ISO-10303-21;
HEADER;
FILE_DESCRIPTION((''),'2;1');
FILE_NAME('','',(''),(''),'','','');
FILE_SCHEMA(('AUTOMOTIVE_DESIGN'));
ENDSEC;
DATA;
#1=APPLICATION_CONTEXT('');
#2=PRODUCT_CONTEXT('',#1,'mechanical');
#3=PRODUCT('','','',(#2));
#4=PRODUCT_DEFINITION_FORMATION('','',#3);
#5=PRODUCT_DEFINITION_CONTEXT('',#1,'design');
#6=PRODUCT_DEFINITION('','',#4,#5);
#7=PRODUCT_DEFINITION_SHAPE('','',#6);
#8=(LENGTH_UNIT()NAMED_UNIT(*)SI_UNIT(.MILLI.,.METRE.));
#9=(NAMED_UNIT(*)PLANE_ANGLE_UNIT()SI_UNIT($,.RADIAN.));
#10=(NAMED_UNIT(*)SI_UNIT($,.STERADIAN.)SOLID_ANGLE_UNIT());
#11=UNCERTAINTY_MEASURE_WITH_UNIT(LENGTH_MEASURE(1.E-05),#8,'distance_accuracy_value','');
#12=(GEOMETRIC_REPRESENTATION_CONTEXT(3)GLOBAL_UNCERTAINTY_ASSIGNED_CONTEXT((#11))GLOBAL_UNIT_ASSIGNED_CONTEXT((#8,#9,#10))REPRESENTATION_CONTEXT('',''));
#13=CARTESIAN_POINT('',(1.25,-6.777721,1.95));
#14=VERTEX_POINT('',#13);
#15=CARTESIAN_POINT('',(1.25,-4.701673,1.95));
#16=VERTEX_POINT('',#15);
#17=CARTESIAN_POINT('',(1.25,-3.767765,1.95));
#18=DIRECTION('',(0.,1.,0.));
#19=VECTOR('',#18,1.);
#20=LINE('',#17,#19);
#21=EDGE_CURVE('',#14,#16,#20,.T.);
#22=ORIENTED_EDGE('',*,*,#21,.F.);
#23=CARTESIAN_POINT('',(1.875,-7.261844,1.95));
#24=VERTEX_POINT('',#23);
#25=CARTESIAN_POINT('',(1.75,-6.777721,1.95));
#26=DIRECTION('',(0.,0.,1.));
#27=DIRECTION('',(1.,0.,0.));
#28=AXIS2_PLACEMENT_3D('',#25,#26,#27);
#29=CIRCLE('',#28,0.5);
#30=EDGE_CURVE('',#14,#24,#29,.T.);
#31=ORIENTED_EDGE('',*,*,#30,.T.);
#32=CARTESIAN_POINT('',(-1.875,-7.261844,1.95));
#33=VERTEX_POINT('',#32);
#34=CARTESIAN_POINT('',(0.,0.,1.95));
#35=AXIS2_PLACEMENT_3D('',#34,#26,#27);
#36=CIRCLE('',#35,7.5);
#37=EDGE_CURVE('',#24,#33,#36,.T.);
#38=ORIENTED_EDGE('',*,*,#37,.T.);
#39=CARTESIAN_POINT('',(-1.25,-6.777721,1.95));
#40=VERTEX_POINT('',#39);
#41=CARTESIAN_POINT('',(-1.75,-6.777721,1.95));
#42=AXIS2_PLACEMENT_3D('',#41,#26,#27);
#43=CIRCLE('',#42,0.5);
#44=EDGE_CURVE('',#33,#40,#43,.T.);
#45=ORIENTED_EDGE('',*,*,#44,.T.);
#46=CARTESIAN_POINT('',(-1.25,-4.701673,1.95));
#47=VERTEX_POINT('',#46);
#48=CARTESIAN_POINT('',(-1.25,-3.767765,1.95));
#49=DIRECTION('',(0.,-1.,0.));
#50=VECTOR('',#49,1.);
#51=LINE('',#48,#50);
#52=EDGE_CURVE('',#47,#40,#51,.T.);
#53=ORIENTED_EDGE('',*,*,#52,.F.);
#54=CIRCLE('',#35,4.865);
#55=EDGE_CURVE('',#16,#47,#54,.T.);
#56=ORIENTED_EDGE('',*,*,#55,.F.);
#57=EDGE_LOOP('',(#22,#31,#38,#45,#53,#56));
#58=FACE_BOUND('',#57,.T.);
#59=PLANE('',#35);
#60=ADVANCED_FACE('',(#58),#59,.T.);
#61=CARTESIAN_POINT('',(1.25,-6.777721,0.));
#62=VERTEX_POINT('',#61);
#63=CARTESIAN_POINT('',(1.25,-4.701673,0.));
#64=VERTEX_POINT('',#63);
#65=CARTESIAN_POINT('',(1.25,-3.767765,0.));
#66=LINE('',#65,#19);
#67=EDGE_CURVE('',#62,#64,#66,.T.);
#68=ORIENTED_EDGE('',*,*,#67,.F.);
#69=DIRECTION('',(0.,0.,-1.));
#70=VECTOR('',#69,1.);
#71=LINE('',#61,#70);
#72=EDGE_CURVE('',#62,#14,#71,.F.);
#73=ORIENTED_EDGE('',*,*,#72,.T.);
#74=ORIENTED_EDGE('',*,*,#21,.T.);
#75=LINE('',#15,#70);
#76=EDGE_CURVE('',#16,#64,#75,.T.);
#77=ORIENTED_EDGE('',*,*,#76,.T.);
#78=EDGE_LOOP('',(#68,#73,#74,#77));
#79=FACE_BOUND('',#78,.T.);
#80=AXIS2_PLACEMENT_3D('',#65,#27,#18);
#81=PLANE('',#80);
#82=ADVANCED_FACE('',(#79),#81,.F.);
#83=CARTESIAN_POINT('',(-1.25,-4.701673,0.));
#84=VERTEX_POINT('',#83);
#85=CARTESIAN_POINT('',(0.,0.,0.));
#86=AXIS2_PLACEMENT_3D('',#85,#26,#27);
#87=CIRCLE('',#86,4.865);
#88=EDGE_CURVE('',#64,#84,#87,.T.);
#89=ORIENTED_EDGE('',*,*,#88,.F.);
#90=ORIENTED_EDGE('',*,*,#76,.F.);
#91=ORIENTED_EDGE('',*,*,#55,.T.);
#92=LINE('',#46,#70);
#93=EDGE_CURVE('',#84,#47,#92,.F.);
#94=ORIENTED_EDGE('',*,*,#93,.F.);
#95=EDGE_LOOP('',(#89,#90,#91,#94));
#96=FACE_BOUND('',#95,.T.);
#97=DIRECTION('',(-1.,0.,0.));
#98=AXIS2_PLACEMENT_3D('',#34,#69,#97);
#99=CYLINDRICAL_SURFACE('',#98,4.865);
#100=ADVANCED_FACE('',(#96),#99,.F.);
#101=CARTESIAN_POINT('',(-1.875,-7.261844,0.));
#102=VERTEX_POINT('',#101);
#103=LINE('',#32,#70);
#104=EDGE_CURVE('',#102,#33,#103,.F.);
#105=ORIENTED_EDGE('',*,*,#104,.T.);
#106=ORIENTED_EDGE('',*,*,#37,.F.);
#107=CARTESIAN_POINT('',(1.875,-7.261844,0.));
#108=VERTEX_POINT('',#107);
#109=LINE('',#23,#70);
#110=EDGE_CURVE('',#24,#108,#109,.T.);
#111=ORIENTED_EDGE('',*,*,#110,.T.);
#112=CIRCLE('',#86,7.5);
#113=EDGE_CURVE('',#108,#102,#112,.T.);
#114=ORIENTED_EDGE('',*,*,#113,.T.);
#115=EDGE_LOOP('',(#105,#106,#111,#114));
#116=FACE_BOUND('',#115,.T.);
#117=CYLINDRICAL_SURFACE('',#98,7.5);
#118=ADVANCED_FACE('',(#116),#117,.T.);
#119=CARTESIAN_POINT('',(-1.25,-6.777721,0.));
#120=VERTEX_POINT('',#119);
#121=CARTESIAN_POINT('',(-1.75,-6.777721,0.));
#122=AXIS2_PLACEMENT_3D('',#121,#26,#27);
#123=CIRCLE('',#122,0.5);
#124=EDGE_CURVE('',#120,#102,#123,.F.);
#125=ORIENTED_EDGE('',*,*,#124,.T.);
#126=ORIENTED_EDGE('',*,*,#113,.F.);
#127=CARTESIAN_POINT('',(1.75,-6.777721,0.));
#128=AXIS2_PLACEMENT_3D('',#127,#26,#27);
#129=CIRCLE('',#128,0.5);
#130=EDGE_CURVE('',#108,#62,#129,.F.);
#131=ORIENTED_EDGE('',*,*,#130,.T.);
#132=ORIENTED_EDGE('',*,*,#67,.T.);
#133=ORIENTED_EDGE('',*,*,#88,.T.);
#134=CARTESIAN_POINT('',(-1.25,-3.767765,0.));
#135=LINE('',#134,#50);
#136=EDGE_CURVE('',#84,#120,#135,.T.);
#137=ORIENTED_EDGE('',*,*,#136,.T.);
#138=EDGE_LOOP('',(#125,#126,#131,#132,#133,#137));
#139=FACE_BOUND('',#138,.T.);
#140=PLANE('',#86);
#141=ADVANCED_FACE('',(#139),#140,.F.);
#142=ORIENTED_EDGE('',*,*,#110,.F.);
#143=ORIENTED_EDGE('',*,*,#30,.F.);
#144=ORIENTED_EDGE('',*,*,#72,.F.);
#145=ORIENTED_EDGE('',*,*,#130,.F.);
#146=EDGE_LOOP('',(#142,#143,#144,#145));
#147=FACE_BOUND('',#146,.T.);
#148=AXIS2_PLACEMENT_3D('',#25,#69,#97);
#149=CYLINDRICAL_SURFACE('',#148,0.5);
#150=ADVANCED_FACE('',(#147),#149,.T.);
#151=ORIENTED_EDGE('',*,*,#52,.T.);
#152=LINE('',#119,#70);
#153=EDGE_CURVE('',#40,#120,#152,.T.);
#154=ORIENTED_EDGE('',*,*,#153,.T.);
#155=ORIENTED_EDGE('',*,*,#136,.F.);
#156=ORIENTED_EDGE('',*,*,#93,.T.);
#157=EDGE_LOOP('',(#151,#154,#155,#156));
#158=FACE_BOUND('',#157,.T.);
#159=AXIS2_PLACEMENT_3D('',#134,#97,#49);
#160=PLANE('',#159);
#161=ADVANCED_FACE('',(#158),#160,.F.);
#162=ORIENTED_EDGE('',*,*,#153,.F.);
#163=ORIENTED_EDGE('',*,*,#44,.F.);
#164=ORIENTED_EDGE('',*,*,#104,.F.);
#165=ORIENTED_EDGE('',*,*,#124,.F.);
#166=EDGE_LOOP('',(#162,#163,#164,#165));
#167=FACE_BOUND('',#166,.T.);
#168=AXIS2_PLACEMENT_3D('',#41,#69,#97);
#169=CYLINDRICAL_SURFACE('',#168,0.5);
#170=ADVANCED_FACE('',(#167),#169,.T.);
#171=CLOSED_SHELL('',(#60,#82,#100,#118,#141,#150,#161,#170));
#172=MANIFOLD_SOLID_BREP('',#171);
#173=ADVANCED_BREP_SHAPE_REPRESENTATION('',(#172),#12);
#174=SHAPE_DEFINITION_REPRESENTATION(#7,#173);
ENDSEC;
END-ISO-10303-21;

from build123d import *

# Parameters (mm, degrees)
SKETCH1_R           = 7.5
SKETCH1_R_2         = 4.865
BOSS_EXTRUDE1_DEPTH = 1.95
SKETCH2_W           = 2.5
SKETCH2_H           = 4.968115063
CUT_EXTRUDE1_DEPTH  = 11.784363681
FILLET1_R           = 0.5


with BuildPart() as part:
    # Sketch1 → Boss-Extrude1 (new body)
    with BuildSketch(Plane.XY):
        Circle(SKETCH1_R)
        Circle(SKETCH1_R_2, mode=Mode.SUBTRACT)
    extrude(amount=BOSS_EXTRUDE1_DEPTH)

    # Sketch2 → Cut-Extrude1 (cut, through all)
    with BuildSketch(Plane.XY.offset(1.95)):
        with Locations((0, -6.251822647)):
            Rectangle(SKETCH2_W, SKETCH2_H)
    extrude(amount=-CUT_EXTRUDE1_DEPTH, mode=Mode.SUBTRACT)

    # Fillet1
    fillet1_edges = [part.edges().sort_by_distance(p)[0] for p in [
        (-1.25, -7.395099729, 0.975),
        (1.25, -7.395099729, 0.975),
    ]]
    fillet(fillet1_edges, radius=FILLET1_R)


solid = part.part
